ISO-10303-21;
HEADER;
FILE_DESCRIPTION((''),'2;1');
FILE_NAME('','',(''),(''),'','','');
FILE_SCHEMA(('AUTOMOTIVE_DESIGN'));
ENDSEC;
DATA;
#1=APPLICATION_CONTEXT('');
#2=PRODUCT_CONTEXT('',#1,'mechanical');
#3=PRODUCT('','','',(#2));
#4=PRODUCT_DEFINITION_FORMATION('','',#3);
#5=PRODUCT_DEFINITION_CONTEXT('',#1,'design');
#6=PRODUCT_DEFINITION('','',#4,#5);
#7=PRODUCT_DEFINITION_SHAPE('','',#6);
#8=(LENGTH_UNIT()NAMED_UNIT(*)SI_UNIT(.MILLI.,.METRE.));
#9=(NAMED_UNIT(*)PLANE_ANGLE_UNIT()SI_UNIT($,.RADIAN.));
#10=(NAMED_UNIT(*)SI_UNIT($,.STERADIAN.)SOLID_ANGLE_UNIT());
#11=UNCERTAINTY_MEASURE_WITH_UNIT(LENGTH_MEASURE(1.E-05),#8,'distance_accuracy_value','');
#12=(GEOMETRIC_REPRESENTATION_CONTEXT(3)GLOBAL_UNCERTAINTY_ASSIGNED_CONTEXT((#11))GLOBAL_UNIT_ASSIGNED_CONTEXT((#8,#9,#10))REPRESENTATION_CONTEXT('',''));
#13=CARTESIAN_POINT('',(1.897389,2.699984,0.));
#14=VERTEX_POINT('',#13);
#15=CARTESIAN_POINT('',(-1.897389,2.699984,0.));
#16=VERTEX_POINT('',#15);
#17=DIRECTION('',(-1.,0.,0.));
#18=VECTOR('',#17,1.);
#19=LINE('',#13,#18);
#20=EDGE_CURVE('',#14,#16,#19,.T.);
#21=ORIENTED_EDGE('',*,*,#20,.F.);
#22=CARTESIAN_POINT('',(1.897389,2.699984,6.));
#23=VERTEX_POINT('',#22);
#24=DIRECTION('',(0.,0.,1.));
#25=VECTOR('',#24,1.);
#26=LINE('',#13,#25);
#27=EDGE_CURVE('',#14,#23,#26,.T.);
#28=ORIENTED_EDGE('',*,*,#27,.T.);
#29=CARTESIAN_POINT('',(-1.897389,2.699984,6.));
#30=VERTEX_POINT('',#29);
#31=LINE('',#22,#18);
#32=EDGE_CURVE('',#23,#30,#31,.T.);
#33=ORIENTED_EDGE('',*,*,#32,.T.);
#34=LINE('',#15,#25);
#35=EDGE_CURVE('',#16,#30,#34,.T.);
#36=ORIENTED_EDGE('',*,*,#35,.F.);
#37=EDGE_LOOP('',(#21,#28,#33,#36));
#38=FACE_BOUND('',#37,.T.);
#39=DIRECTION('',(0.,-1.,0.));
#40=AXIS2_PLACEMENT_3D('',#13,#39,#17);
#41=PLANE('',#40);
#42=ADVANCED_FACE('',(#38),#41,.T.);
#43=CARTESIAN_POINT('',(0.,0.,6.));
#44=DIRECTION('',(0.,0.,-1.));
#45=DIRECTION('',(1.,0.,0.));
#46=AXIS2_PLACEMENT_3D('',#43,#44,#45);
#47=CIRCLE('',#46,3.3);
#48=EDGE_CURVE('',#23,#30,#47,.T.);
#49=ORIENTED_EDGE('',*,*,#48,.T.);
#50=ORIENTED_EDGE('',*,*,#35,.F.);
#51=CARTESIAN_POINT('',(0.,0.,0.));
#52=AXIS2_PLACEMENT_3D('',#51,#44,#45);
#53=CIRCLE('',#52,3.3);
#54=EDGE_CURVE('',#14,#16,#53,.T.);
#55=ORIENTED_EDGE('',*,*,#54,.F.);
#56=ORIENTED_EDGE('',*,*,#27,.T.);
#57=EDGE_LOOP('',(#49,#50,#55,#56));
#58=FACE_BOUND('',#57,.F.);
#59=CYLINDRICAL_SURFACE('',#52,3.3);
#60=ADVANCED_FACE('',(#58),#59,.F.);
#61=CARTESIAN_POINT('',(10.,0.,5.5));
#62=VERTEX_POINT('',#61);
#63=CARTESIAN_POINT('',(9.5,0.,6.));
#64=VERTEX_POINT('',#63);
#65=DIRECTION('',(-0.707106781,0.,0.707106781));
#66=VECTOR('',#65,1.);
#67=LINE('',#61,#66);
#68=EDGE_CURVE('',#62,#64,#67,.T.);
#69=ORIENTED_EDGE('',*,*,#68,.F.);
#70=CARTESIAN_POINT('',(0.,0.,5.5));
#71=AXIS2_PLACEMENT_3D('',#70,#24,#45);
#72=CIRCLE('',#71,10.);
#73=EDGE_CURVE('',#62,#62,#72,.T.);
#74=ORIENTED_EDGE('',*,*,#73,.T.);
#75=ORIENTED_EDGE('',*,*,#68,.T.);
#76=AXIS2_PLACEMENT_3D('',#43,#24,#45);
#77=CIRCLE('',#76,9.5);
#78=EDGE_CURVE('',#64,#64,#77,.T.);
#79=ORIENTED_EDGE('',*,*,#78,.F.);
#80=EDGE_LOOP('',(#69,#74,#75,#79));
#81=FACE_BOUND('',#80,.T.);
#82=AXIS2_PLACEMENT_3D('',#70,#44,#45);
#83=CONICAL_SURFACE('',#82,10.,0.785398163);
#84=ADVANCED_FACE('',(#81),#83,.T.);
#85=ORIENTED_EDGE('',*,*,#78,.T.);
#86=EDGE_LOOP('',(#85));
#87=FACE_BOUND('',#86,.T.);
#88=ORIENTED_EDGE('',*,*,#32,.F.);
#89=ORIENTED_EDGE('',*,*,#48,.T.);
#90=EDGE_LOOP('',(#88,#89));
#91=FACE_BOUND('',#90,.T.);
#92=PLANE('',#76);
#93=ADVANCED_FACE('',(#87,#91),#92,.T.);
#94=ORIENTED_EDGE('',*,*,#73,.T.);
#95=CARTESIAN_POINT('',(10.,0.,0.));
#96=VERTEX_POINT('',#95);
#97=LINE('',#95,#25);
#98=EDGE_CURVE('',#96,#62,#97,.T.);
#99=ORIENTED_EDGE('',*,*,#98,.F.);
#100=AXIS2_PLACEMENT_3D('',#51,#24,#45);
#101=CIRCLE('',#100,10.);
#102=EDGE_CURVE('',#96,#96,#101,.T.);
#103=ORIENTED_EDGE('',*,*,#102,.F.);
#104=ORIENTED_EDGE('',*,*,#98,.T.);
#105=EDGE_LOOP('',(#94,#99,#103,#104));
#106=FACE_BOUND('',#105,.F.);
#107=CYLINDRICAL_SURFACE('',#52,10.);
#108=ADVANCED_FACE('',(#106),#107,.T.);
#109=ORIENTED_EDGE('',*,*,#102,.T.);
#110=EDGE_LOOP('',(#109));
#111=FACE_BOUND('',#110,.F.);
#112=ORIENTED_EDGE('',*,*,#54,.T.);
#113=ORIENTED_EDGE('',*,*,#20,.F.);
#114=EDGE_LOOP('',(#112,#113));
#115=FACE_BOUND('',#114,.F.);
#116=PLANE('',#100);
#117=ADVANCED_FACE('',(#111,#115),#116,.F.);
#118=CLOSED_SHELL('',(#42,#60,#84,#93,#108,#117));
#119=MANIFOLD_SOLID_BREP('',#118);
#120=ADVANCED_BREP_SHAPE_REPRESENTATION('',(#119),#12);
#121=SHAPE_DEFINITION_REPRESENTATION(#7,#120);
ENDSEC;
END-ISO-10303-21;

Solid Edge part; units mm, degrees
sketch "Sketch1" plane through (0, 0, 0) normal (0, 0, 1) x (1, 0, 0)
  circle A0 centre (0, 0) radius 10
  line L0 (1.8974, 2.7) -> (-1.8974, 2.7)
  arc A1 (1.8974, 2.7) -> (-1.8974, 2.7) centre (0, 0) cw
extrude "ExtrudedProtrusion_1" add sketch "Sketch1" along normal blind 6
chamfer "Chamfer1" distance 0.5 angle 45 1 edges at (-10, 0, 6)
